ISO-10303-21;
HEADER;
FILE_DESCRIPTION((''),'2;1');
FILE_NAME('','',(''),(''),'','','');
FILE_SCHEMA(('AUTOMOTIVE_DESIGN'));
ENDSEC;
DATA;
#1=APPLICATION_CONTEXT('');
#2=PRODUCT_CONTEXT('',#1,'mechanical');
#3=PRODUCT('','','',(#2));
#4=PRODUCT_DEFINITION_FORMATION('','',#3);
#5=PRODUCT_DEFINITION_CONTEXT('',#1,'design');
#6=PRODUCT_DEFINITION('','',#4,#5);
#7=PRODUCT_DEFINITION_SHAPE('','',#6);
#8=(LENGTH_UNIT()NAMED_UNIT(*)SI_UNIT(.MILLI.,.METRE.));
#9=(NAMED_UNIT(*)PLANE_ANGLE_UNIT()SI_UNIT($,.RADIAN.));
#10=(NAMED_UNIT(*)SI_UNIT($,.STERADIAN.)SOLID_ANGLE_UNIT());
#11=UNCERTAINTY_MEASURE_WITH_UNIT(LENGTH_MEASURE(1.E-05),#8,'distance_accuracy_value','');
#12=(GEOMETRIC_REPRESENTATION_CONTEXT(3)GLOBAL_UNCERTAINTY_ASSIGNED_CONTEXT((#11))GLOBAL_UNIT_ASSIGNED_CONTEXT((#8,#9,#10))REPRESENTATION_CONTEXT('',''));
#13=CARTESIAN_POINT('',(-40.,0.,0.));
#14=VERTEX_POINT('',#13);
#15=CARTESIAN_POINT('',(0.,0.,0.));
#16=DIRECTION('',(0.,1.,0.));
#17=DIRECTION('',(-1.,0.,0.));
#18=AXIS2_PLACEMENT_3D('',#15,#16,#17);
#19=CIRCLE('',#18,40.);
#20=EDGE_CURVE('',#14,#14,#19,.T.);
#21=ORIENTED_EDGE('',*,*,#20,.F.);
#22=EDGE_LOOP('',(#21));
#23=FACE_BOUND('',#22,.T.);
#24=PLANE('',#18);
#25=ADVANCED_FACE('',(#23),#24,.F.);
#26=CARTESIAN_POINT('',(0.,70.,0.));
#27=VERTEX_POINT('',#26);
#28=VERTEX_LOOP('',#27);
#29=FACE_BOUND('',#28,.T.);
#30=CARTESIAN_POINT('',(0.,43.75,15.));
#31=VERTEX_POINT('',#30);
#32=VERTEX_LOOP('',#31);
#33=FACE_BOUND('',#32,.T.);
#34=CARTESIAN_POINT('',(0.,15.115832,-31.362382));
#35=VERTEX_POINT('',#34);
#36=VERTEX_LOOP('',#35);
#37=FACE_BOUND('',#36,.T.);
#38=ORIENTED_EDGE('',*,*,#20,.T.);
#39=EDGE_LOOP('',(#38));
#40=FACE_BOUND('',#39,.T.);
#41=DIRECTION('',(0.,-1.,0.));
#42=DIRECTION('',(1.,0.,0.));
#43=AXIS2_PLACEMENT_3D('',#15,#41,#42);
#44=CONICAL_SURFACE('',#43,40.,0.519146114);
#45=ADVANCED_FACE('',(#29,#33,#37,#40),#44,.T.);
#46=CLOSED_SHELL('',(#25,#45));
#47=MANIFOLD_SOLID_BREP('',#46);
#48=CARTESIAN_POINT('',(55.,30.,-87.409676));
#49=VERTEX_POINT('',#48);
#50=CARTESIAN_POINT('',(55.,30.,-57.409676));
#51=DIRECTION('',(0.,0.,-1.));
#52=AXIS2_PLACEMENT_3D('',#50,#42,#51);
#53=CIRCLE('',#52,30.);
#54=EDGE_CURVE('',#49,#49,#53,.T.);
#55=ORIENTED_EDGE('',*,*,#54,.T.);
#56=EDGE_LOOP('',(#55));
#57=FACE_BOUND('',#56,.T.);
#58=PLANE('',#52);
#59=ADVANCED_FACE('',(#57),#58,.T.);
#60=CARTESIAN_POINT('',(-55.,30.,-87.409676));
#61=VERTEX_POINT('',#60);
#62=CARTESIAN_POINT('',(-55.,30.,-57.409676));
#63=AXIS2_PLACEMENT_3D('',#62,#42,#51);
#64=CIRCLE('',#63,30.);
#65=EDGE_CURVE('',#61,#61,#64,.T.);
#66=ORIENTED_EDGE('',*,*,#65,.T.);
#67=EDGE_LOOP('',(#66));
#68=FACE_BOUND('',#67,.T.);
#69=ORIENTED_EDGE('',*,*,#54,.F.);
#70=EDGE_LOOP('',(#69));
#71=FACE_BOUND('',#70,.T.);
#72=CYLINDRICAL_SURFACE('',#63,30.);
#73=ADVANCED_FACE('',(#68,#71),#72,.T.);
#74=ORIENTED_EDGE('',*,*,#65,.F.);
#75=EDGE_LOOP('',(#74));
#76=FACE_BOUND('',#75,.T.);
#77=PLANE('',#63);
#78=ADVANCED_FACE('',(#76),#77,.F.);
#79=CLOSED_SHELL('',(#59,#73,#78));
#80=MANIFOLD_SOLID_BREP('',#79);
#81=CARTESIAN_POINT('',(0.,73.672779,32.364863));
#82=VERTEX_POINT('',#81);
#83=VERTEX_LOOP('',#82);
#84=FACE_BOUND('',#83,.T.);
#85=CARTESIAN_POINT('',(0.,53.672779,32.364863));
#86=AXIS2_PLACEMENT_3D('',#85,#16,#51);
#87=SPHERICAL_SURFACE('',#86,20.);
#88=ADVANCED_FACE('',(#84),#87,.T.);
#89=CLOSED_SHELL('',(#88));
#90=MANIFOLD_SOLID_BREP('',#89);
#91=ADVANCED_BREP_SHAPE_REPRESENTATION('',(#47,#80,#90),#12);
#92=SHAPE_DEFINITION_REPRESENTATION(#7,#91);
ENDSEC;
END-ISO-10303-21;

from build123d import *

# Parameters (mm, degrees)
SKETCH2_R      = 30
EXTRUDE1_DEPTH = 55


with BuildPart() as part:
    # Sketch1 → Revolve1 (revolve)
    with BuildSketch(Plane.XY):
        Polygon((0, 0), (40, 0), (0, 70), align=None)
    revolve(axis=Axis((0, 70, 0), (0, -1, 0)))


with BuildPart() as body_2:
    # Sketch2 → Extrude1 (new body, symmetric)
    with BuildSketch(Plane(origin=(0, 0, 0), x_dir=(0, 0, -1), z_dir=(1, 0, 0))):
        with Locations((57.409676064, 30)):
            Circle(SKETCH2_R)
    extrude(amount=EXTRUDE1_DEPTH, both=True)


with BuildPart() as body_3:
    # Sketch3 → Revolve2 (revolve)
    with BuildSketch(Plane(origin=(0, 0, 0), x_dir=(0, 0, -1), z_dir=(1, 0, 0))):
        with BuildLine():
            Line((-32.364862842, 73.672778767), (-32.364862842, 33.672778767))
            ThreePointArc((-32.364862842, 33.672778767), (-12.364862842, 53.672778767), (-32.364862842, 73.672778767))
        make_face()
    revolve(axis=Axis((0, 73.672778767, 32.364862842), (0, -1, 0)))


solid = Compound([part.part, body_2.part, body_3.part])
